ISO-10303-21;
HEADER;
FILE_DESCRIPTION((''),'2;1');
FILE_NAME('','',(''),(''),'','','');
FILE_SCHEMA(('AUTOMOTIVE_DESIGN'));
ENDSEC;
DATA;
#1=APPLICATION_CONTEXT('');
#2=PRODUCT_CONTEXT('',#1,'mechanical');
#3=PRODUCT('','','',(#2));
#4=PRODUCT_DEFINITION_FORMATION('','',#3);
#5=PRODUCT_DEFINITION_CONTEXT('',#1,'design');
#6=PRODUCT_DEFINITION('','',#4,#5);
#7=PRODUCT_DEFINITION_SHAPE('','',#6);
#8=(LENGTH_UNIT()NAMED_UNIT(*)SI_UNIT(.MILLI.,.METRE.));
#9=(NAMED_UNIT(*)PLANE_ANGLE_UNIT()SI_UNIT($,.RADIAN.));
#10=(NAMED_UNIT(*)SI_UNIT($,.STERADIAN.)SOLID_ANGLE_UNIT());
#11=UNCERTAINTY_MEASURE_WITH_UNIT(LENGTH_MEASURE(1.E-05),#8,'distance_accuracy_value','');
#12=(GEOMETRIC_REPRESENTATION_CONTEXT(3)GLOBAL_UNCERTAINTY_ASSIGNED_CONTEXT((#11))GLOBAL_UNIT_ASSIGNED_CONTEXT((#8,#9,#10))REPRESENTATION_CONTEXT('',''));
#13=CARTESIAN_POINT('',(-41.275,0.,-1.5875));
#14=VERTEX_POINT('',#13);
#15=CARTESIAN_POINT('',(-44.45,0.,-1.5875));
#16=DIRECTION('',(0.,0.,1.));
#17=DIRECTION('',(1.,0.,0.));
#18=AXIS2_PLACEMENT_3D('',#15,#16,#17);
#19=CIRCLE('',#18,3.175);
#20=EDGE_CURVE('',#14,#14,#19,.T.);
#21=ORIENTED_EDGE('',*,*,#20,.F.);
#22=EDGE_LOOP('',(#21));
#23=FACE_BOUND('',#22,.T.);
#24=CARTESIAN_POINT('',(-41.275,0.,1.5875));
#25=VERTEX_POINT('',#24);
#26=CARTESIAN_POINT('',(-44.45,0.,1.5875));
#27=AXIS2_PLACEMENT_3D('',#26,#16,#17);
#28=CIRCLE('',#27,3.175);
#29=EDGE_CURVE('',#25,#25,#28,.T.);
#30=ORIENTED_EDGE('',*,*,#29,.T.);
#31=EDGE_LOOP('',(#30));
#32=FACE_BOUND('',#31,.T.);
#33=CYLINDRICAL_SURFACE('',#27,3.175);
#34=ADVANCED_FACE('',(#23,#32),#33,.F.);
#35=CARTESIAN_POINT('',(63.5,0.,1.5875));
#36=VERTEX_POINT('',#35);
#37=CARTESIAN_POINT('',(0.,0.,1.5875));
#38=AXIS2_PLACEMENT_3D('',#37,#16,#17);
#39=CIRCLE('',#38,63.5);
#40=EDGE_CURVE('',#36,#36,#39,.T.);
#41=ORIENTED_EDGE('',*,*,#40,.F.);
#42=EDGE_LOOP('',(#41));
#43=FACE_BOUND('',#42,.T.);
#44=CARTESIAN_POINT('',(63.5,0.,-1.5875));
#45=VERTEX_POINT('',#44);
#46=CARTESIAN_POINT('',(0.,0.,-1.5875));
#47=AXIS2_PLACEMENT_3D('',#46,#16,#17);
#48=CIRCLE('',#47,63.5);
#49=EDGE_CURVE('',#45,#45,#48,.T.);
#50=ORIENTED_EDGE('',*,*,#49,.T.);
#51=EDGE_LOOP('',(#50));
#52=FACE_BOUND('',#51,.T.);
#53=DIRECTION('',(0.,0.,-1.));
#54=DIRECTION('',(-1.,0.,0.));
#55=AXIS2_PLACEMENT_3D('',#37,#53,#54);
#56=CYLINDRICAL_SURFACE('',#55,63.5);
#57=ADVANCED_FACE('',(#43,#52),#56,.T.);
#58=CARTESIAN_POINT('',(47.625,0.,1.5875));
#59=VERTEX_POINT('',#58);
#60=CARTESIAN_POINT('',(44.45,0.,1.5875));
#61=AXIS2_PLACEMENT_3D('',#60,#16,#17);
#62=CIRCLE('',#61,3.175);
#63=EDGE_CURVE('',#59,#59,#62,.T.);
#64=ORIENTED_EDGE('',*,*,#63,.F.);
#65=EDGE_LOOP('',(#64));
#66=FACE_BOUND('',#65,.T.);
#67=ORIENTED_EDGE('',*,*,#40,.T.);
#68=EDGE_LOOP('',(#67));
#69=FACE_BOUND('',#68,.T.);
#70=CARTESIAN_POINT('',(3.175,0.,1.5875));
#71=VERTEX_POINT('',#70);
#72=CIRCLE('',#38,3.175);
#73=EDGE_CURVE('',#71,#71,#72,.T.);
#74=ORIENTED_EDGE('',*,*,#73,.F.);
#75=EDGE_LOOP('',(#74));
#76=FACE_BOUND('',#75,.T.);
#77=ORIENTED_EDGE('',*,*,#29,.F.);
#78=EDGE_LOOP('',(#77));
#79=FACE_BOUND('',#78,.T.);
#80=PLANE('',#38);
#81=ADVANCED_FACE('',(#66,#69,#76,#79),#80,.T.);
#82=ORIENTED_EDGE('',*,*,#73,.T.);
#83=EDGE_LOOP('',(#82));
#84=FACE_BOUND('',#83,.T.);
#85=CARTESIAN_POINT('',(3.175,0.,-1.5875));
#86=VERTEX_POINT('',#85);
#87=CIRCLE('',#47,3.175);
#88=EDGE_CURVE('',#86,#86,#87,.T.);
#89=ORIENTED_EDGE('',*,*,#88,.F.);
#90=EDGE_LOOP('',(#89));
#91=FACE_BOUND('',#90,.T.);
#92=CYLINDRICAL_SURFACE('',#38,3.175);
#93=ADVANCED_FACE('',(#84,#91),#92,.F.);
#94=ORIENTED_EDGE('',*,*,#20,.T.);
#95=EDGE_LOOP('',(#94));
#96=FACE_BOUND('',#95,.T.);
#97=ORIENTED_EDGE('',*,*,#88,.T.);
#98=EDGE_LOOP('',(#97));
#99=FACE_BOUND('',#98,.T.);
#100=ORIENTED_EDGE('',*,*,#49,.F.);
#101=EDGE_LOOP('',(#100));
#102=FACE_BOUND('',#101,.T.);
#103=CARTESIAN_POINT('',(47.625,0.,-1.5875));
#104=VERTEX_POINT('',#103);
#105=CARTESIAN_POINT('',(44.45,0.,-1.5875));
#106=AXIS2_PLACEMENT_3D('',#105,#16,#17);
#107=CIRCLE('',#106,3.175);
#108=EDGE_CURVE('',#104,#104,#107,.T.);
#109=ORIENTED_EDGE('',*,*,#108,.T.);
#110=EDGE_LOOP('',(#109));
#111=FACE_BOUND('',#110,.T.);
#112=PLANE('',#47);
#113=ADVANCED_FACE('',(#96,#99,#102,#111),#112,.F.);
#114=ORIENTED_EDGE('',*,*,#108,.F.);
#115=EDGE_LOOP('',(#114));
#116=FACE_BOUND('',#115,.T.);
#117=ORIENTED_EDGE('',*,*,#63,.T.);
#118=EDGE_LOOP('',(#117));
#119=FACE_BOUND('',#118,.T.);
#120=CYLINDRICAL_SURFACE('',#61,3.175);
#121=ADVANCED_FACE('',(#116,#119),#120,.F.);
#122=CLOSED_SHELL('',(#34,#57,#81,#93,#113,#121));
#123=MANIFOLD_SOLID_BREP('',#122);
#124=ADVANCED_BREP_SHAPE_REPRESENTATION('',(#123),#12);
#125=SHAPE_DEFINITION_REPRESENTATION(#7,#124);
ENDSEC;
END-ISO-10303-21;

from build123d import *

# Parameters (mm, degrees)
SKETCH1_R                   = 63.5
BOSS_EXTRUDE1_DEPTH         = 1.5875
F_1_4_0_25_DIAMETER_HOLE1_D = 6.35


with BuildPart() as part:
    # Sketch1 → Boss-Extrude1 (new body, symmetric)
    with BuildSketch(Plane.XY):
        Circle(SKETCH1_R)
    extrude(amount=BOSS_EXTRUDE1_DEPTH, both=True)

    # 1/4 (0.25) Diameter Hole1 (through all)
    with Locations(Plane.XY.offset(1.5875)):
        with Locations((-44.45, 0), (0, 0), (44.45, 0)):
            Hole(F_1_4_0_25_DIAMETER_HOLE1_D / 2)


solid = part.part
